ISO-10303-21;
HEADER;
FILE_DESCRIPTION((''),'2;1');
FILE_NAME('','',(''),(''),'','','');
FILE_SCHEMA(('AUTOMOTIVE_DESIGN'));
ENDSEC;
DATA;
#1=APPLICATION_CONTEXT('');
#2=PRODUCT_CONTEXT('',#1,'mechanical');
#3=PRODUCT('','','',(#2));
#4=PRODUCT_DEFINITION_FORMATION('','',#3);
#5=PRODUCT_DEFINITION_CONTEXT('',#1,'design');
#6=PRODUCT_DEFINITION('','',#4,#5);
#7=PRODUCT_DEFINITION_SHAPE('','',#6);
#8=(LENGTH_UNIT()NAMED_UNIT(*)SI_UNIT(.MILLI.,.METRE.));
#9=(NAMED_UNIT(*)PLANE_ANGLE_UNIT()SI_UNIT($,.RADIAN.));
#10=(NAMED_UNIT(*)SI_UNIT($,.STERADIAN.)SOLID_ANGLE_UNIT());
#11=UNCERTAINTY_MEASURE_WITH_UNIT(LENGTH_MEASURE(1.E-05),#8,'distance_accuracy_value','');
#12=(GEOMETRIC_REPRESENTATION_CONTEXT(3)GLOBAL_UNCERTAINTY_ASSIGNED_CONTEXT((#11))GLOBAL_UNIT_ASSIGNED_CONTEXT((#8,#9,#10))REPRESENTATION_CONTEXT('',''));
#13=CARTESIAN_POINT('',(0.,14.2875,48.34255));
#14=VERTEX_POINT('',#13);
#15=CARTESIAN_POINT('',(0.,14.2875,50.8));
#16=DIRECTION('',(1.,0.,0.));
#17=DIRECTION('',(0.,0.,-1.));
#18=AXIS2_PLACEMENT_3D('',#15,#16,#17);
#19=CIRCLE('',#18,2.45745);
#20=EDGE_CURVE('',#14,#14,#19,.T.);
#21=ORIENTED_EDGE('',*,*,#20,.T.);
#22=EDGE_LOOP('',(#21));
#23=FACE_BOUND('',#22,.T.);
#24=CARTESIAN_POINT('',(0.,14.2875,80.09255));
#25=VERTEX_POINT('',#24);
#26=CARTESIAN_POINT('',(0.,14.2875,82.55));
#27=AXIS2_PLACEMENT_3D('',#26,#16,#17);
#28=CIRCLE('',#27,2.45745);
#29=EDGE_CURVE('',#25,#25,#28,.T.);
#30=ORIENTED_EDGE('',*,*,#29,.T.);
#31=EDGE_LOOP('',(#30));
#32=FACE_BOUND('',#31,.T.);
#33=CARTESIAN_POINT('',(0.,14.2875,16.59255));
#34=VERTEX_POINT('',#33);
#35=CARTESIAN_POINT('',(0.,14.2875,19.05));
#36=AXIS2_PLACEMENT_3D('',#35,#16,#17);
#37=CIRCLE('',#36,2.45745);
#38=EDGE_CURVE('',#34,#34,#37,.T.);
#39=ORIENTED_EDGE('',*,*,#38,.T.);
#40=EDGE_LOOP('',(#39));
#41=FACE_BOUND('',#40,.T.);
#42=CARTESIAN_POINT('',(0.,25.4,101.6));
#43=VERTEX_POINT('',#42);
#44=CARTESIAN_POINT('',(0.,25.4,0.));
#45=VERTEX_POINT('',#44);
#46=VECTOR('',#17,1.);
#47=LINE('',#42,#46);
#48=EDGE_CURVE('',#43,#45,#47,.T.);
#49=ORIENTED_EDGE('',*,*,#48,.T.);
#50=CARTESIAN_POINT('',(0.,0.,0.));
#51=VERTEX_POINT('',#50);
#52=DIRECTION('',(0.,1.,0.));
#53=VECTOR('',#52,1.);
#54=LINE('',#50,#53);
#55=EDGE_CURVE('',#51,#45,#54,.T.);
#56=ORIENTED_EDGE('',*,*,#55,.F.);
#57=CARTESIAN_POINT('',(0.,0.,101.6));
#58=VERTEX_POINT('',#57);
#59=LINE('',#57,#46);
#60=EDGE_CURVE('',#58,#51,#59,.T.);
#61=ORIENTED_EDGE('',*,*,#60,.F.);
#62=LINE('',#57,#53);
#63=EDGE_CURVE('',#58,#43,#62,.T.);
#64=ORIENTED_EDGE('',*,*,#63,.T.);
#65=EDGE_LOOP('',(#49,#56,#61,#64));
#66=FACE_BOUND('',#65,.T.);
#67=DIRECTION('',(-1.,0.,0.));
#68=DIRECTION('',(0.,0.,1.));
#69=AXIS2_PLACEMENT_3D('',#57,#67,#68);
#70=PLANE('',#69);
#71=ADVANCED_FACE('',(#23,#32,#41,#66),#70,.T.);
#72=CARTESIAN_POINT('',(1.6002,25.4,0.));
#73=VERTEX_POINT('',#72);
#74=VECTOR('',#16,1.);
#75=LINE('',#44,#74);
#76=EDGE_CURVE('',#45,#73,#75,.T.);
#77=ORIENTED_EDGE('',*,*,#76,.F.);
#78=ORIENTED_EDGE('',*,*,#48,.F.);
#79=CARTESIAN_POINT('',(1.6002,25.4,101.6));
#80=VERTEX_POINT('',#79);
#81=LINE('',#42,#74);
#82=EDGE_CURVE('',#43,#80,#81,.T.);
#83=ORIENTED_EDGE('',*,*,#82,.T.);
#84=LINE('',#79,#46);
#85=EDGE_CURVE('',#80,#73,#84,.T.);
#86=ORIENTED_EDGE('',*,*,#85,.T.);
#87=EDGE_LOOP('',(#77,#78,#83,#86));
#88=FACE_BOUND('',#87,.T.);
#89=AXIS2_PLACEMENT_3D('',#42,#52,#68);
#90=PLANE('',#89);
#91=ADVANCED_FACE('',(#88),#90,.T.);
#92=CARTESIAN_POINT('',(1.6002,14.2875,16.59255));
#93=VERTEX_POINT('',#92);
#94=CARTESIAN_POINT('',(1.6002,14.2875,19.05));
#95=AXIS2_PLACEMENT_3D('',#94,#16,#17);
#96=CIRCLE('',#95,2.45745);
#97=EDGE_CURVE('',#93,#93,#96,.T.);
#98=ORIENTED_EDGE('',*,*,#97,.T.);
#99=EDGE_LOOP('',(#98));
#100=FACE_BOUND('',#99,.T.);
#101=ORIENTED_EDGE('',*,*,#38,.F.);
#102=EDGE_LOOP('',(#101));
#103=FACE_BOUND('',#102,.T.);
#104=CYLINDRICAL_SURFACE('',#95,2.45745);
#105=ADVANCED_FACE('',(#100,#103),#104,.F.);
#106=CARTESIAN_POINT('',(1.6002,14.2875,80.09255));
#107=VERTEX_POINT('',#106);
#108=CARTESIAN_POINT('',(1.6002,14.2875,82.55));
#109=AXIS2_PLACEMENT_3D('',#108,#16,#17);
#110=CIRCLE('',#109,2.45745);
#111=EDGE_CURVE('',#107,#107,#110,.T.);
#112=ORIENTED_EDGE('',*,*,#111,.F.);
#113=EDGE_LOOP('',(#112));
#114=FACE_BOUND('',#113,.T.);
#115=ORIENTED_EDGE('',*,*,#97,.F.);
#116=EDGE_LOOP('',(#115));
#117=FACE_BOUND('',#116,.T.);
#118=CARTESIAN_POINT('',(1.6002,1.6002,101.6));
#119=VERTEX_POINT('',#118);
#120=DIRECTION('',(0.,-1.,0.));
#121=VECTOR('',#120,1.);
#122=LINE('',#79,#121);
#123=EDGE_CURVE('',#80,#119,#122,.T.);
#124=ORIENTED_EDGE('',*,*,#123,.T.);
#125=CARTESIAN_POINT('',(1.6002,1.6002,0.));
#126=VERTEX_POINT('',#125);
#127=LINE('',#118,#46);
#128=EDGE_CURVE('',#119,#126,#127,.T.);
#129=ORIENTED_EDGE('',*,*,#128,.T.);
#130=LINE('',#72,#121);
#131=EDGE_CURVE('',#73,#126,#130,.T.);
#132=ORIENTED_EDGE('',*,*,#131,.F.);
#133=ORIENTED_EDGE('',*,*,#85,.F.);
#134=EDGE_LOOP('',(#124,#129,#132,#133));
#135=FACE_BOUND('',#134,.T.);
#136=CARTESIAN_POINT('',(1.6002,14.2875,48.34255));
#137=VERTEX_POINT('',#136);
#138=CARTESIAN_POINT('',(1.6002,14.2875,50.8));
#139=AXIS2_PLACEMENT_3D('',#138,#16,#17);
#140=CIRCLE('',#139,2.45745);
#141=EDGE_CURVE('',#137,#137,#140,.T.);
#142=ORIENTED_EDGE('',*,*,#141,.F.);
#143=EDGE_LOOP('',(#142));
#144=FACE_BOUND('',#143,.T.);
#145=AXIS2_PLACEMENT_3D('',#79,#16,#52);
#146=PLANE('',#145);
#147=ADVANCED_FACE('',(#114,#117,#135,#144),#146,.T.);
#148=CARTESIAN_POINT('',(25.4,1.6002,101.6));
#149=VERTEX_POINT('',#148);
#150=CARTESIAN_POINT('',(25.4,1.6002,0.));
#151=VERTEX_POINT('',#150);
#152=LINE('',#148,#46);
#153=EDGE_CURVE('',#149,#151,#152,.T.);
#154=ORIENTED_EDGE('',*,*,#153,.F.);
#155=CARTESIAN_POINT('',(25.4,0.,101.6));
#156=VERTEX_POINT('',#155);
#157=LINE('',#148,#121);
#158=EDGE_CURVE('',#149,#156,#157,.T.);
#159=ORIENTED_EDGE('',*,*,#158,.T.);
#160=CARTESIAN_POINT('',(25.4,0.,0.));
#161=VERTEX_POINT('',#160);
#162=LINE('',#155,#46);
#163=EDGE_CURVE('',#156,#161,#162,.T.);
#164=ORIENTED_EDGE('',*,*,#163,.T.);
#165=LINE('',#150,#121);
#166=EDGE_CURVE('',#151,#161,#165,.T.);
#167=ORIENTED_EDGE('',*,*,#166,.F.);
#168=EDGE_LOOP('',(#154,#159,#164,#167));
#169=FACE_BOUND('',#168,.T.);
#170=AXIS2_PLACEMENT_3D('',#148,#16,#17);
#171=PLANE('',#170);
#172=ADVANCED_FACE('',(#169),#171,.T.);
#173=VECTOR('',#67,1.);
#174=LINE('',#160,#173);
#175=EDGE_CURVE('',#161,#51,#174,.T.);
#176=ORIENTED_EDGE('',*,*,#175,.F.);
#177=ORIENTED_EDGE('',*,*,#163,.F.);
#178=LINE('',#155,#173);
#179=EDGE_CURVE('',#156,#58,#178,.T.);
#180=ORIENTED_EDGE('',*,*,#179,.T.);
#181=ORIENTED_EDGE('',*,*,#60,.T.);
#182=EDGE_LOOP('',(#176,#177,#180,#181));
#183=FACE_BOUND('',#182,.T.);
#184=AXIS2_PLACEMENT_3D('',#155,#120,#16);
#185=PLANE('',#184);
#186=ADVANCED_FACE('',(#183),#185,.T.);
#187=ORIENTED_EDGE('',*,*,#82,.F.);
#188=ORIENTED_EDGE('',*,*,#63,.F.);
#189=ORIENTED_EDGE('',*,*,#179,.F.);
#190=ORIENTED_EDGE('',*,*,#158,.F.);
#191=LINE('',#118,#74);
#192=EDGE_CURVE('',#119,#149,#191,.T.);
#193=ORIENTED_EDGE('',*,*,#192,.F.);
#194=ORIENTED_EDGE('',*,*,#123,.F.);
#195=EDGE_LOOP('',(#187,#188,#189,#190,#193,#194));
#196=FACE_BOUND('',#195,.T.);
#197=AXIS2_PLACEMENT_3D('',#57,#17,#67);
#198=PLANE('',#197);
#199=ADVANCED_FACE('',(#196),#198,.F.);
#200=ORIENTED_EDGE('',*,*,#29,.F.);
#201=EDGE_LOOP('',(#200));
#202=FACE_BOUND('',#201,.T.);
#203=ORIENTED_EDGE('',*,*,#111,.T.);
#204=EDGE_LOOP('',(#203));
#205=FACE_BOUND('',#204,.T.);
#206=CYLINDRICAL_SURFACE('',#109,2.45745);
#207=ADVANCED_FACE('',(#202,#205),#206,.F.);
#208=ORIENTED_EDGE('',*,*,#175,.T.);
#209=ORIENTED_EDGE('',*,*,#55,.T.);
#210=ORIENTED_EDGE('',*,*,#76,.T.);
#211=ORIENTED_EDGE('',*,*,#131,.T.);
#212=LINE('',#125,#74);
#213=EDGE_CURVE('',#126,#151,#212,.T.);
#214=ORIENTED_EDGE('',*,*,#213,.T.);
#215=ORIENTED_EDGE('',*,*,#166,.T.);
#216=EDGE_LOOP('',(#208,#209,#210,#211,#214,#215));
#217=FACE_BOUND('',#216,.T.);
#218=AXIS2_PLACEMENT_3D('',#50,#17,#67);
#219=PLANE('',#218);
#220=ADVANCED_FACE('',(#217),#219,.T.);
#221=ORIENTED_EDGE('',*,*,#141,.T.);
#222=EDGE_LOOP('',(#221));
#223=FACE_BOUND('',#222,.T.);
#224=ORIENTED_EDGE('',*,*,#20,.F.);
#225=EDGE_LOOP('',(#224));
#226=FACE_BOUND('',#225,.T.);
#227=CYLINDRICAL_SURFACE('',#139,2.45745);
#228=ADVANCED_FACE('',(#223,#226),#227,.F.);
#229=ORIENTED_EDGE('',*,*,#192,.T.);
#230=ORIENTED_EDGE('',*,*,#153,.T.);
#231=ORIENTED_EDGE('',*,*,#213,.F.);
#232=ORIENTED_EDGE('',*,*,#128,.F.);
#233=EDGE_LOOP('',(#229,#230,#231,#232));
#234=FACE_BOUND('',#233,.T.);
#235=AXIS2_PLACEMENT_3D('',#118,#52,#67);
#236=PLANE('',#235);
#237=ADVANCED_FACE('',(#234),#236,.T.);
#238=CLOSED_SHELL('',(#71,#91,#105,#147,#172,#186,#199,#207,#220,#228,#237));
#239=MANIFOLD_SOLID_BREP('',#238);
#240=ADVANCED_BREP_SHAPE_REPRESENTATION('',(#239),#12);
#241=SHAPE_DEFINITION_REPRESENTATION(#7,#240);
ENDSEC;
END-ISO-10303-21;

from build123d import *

# Parameters (mm, degrees)
BOSS_EXTRUDE1_DEPTH          = 101.6
F_10_0_1935_DIAMETER_HOLE1_D = 4.9149


with BuildPart() as part:
    # Sketch1 → Boss-Extrude1 (new body)
    with BuildSketch(Plane.XY):
        Polygon((0, 0), (0, 25.4), (1.6002, 25.4), (1.6002, 1.6002), (25.4, 1.6002), (25.4, 0), align=None)
    extrude(amount=BOSS_EXTRUDE1_DEPTH)

    # #10 (0.1935) Diameter Hole1 (through all)
    with Locations(Plane(origin=(1.6002, 0, 0), x_dir=(0, 0, -1), z_dir=(1, 0, 0))):
        with Locations((-82.55, 14.2875), (-50.8, 14.2875), (-19.05, 14.2875)):
            Hole(F_10_0_1935_DIAMETER_HOLE1_D / 2)


solid = part.part
